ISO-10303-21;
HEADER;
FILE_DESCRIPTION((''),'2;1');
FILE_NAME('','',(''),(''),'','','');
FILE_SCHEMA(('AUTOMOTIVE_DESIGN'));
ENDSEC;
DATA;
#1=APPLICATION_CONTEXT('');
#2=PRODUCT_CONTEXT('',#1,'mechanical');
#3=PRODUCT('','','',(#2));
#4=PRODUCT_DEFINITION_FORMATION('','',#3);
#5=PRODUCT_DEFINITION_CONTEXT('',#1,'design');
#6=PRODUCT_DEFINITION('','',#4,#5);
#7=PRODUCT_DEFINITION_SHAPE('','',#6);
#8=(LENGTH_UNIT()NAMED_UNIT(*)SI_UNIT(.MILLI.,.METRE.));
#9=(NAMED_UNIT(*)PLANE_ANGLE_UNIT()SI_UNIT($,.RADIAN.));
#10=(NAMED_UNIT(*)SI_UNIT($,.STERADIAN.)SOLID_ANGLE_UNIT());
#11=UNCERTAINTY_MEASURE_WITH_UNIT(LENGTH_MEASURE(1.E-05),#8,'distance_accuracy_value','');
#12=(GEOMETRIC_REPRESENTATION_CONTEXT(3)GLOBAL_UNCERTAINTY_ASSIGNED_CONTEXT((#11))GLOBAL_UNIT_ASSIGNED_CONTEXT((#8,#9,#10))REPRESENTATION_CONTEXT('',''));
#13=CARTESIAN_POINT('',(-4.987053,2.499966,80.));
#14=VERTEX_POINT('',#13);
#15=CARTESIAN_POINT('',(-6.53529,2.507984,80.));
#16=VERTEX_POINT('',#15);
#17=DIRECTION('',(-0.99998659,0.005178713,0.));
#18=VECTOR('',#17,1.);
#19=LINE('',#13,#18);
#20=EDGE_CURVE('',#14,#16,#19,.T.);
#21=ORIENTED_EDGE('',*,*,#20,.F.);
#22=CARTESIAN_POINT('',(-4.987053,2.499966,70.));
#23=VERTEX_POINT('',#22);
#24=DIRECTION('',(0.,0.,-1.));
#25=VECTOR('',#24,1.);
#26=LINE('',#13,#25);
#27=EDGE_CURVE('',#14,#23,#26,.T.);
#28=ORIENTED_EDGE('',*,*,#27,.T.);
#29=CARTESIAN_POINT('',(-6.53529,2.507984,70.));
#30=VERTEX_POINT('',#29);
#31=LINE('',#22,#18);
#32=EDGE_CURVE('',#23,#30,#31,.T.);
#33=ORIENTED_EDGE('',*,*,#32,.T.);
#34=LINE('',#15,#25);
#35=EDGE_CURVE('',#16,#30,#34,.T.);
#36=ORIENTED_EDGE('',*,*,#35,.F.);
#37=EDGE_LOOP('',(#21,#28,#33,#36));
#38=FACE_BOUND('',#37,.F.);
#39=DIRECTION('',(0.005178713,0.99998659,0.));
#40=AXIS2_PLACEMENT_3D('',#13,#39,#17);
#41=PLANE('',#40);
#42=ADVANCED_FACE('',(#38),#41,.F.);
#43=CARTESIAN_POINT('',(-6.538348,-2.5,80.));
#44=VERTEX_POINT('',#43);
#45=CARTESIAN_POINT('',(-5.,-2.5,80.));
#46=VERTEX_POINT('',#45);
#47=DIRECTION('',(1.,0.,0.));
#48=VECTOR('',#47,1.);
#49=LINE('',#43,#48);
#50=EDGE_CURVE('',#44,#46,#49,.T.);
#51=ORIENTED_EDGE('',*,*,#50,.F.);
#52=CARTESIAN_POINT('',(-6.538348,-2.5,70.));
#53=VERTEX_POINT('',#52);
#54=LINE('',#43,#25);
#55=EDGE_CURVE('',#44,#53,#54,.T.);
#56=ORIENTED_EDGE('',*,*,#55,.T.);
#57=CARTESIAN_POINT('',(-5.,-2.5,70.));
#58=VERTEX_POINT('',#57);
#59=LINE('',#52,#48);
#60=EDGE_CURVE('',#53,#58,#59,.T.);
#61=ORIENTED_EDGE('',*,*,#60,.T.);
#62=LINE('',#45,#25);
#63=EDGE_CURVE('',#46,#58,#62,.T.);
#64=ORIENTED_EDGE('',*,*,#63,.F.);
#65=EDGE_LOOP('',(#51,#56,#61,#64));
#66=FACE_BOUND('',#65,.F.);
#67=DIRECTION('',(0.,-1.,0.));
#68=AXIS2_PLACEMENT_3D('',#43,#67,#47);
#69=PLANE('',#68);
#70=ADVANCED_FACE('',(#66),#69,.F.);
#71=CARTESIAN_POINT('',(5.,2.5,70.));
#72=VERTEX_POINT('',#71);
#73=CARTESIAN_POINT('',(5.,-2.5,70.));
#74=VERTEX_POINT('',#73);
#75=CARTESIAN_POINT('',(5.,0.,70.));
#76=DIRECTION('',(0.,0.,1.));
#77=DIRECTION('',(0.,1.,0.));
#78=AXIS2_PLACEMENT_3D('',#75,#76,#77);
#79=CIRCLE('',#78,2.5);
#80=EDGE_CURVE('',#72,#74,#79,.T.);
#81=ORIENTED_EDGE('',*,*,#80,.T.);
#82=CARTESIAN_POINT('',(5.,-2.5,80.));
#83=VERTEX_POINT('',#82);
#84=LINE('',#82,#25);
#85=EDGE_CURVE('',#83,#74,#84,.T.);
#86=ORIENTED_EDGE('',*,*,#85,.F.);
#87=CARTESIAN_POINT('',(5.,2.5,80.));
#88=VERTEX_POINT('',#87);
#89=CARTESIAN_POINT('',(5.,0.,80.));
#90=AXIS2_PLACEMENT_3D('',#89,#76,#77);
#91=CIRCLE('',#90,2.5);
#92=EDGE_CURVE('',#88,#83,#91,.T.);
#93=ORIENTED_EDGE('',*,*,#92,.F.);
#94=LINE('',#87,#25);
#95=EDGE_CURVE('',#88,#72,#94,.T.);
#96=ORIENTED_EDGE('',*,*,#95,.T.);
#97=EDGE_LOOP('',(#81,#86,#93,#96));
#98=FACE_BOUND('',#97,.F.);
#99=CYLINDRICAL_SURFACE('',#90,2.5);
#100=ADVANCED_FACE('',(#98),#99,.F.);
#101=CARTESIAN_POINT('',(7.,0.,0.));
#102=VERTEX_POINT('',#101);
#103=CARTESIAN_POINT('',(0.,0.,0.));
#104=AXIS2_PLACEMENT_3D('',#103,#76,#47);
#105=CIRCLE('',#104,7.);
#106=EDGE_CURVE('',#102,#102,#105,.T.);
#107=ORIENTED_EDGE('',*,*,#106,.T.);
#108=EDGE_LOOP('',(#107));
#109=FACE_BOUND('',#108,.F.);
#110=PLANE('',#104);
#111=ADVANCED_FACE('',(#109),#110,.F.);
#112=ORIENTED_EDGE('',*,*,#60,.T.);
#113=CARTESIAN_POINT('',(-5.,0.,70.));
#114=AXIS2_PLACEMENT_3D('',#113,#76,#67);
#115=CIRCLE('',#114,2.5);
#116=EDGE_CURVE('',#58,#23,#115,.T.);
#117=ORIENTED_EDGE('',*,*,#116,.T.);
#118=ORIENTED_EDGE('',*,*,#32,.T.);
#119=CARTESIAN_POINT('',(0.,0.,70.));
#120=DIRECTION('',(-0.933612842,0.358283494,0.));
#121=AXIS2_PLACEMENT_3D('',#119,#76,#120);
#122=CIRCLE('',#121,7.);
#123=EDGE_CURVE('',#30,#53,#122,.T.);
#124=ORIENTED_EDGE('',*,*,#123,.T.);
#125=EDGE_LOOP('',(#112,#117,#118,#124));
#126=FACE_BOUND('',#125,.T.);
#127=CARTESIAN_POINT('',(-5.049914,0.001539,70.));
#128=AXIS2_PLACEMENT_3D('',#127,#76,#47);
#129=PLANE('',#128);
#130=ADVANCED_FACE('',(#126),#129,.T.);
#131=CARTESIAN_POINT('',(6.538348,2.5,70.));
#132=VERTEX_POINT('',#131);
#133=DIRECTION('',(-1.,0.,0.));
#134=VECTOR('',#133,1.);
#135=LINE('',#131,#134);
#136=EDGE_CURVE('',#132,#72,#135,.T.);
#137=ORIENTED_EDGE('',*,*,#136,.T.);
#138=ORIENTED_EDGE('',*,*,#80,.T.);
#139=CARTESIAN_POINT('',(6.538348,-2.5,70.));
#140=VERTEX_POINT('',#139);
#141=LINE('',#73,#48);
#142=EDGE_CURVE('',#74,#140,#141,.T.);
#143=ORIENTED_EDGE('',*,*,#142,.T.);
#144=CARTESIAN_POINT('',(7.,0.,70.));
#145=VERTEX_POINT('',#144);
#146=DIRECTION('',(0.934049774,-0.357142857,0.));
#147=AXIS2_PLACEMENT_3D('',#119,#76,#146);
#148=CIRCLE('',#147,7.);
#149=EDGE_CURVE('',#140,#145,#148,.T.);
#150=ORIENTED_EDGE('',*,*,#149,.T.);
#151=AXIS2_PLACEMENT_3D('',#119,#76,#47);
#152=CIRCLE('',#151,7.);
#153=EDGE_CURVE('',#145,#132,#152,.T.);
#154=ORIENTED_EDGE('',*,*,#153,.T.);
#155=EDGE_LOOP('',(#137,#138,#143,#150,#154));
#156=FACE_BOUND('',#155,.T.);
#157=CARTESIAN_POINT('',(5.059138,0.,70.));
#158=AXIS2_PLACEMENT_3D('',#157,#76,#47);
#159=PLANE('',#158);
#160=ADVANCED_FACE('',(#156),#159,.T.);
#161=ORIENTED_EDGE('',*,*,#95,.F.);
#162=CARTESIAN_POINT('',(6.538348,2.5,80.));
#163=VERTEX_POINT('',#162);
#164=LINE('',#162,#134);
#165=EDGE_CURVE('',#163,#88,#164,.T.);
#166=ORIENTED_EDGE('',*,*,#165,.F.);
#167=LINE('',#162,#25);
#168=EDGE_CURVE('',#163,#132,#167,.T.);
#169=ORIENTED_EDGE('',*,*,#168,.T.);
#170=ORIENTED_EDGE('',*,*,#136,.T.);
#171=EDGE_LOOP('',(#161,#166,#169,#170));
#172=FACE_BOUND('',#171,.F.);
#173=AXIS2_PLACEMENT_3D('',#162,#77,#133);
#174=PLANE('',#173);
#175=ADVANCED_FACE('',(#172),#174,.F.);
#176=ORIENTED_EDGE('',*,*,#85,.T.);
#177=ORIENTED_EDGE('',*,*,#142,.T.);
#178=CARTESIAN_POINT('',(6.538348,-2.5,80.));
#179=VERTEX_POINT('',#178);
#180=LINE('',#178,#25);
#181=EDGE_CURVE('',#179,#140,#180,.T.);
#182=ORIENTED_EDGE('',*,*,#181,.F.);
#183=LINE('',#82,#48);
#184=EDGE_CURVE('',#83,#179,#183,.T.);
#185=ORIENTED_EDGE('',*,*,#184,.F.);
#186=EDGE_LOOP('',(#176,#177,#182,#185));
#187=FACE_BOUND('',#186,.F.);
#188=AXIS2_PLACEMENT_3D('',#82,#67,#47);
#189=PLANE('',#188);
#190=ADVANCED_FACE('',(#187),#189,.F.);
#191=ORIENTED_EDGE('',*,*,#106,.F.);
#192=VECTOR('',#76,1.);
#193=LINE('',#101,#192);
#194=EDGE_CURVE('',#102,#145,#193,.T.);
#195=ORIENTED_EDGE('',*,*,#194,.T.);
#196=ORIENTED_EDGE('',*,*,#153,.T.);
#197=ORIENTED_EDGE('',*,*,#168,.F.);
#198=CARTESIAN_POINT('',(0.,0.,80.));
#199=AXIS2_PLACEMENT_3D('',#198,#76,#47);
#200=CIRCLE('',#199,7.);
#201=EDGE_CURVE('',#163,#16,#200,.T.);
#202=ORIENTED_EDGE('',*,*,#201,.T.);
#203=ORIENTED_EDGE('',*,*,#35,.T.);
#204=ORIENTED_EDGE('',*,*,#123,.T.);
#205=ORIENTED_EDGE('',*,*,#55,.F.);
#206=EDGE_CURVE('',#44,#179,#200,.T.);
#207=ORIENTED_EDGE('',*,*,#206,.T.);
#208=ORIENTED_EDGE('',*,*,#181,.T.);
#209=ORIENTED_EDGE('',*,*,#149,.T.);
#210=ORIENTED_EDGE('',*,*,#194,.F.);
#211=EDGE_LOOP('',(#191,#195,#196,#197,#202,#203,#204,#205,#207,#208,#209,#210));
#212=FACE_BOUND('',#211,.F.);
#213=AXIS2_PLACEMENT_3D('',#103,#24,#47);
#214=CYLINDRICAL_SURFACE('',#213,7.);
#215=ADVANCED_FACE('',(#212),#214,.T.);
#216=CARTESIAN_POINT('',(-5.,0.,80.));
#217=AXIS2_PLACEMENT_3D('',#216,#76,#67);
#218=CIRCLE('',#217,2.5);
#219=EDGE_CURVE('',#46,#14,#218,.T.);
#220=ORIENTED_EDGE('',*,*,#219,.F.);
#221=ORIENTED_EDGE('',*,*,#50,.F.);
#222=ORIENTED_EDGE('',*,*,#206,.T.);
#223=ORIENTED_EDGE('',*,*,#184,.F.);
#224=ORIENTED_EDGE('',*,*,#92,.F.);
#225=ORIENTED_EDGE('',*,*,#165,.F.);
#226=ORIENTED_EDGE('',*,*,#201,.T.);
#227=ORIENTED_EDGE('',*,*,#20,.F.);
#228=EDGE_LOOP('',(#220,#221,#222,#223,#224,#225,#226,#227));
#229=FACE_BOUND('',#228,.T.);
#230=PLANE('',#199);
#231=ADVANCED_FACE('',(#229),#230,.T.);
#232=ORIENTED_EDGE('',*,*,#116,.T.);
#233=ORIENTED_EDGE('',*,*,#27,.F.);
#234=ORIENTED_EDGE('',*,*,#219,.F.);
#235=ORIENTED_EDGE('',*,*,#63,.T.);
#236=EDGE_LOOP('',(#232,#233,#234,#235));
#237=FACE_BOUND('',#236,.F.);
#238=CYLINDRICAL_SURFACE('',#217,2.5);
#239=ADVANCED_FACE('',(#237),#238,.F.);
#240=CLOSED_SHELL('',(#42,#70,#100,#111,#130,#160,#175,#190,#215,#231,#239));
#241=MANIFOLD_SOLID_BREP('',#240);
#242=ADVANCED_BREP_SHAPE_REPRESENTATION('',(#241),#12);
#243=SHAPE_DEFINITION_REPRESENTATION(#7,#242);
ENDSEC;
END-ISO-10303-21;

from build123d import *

# Parameters (mm, degrees)
F0_R     = 7
F1_DEPTH = 80
F3_DEPTH = 10


with BuildPart() as f1:
    # F0 (on Top) → F1 (new body)
    with BuildSketch(Plane.XY):
        Circle(F0_R)
    extrude(amount=F1_DEPTH)

    # F2 (on face) → F3 (cut)
    with BuildSketch(Plane.XY.offset(80)):
        with BuildLine():
            Line((-6.5383484153, -2.5), (-5, -2.5))
            ThreePointArc((-5, -2.5), (-2.500008381, -0.0064734131), (-4.9870532172, 2.4999664759))
            Line((-4.9870532172, 2.4999664759), (-6.5352898913, 2.507984457))
            ThreePointArc((-6.5352898913, 2.507984457), (-6.9999986945, 0.0042751059), (-6.5383484153, -2.5))
        make_face()
        with BuildLine():
            Line((5, -2.5), (6.5383484153, -2.5))
            ThreePointArc((6.5383484153, -2.5), (6.8836196477, -1.2711335675), (7, 0))
            ThreePointArc((7, 0), (6.8836196477, 1.2711335675), (6.5383484153, 2.5))
            Line((6.5383484153, 2.5), (5, 2.5))
            ThreePointArc((5, 2.5), (2.5, 0), (5, -2.5))
        make_face()
    extrude(amount=-F3_DEPTH, mode=Mode.SUBTRACT)


solid = f1.part
